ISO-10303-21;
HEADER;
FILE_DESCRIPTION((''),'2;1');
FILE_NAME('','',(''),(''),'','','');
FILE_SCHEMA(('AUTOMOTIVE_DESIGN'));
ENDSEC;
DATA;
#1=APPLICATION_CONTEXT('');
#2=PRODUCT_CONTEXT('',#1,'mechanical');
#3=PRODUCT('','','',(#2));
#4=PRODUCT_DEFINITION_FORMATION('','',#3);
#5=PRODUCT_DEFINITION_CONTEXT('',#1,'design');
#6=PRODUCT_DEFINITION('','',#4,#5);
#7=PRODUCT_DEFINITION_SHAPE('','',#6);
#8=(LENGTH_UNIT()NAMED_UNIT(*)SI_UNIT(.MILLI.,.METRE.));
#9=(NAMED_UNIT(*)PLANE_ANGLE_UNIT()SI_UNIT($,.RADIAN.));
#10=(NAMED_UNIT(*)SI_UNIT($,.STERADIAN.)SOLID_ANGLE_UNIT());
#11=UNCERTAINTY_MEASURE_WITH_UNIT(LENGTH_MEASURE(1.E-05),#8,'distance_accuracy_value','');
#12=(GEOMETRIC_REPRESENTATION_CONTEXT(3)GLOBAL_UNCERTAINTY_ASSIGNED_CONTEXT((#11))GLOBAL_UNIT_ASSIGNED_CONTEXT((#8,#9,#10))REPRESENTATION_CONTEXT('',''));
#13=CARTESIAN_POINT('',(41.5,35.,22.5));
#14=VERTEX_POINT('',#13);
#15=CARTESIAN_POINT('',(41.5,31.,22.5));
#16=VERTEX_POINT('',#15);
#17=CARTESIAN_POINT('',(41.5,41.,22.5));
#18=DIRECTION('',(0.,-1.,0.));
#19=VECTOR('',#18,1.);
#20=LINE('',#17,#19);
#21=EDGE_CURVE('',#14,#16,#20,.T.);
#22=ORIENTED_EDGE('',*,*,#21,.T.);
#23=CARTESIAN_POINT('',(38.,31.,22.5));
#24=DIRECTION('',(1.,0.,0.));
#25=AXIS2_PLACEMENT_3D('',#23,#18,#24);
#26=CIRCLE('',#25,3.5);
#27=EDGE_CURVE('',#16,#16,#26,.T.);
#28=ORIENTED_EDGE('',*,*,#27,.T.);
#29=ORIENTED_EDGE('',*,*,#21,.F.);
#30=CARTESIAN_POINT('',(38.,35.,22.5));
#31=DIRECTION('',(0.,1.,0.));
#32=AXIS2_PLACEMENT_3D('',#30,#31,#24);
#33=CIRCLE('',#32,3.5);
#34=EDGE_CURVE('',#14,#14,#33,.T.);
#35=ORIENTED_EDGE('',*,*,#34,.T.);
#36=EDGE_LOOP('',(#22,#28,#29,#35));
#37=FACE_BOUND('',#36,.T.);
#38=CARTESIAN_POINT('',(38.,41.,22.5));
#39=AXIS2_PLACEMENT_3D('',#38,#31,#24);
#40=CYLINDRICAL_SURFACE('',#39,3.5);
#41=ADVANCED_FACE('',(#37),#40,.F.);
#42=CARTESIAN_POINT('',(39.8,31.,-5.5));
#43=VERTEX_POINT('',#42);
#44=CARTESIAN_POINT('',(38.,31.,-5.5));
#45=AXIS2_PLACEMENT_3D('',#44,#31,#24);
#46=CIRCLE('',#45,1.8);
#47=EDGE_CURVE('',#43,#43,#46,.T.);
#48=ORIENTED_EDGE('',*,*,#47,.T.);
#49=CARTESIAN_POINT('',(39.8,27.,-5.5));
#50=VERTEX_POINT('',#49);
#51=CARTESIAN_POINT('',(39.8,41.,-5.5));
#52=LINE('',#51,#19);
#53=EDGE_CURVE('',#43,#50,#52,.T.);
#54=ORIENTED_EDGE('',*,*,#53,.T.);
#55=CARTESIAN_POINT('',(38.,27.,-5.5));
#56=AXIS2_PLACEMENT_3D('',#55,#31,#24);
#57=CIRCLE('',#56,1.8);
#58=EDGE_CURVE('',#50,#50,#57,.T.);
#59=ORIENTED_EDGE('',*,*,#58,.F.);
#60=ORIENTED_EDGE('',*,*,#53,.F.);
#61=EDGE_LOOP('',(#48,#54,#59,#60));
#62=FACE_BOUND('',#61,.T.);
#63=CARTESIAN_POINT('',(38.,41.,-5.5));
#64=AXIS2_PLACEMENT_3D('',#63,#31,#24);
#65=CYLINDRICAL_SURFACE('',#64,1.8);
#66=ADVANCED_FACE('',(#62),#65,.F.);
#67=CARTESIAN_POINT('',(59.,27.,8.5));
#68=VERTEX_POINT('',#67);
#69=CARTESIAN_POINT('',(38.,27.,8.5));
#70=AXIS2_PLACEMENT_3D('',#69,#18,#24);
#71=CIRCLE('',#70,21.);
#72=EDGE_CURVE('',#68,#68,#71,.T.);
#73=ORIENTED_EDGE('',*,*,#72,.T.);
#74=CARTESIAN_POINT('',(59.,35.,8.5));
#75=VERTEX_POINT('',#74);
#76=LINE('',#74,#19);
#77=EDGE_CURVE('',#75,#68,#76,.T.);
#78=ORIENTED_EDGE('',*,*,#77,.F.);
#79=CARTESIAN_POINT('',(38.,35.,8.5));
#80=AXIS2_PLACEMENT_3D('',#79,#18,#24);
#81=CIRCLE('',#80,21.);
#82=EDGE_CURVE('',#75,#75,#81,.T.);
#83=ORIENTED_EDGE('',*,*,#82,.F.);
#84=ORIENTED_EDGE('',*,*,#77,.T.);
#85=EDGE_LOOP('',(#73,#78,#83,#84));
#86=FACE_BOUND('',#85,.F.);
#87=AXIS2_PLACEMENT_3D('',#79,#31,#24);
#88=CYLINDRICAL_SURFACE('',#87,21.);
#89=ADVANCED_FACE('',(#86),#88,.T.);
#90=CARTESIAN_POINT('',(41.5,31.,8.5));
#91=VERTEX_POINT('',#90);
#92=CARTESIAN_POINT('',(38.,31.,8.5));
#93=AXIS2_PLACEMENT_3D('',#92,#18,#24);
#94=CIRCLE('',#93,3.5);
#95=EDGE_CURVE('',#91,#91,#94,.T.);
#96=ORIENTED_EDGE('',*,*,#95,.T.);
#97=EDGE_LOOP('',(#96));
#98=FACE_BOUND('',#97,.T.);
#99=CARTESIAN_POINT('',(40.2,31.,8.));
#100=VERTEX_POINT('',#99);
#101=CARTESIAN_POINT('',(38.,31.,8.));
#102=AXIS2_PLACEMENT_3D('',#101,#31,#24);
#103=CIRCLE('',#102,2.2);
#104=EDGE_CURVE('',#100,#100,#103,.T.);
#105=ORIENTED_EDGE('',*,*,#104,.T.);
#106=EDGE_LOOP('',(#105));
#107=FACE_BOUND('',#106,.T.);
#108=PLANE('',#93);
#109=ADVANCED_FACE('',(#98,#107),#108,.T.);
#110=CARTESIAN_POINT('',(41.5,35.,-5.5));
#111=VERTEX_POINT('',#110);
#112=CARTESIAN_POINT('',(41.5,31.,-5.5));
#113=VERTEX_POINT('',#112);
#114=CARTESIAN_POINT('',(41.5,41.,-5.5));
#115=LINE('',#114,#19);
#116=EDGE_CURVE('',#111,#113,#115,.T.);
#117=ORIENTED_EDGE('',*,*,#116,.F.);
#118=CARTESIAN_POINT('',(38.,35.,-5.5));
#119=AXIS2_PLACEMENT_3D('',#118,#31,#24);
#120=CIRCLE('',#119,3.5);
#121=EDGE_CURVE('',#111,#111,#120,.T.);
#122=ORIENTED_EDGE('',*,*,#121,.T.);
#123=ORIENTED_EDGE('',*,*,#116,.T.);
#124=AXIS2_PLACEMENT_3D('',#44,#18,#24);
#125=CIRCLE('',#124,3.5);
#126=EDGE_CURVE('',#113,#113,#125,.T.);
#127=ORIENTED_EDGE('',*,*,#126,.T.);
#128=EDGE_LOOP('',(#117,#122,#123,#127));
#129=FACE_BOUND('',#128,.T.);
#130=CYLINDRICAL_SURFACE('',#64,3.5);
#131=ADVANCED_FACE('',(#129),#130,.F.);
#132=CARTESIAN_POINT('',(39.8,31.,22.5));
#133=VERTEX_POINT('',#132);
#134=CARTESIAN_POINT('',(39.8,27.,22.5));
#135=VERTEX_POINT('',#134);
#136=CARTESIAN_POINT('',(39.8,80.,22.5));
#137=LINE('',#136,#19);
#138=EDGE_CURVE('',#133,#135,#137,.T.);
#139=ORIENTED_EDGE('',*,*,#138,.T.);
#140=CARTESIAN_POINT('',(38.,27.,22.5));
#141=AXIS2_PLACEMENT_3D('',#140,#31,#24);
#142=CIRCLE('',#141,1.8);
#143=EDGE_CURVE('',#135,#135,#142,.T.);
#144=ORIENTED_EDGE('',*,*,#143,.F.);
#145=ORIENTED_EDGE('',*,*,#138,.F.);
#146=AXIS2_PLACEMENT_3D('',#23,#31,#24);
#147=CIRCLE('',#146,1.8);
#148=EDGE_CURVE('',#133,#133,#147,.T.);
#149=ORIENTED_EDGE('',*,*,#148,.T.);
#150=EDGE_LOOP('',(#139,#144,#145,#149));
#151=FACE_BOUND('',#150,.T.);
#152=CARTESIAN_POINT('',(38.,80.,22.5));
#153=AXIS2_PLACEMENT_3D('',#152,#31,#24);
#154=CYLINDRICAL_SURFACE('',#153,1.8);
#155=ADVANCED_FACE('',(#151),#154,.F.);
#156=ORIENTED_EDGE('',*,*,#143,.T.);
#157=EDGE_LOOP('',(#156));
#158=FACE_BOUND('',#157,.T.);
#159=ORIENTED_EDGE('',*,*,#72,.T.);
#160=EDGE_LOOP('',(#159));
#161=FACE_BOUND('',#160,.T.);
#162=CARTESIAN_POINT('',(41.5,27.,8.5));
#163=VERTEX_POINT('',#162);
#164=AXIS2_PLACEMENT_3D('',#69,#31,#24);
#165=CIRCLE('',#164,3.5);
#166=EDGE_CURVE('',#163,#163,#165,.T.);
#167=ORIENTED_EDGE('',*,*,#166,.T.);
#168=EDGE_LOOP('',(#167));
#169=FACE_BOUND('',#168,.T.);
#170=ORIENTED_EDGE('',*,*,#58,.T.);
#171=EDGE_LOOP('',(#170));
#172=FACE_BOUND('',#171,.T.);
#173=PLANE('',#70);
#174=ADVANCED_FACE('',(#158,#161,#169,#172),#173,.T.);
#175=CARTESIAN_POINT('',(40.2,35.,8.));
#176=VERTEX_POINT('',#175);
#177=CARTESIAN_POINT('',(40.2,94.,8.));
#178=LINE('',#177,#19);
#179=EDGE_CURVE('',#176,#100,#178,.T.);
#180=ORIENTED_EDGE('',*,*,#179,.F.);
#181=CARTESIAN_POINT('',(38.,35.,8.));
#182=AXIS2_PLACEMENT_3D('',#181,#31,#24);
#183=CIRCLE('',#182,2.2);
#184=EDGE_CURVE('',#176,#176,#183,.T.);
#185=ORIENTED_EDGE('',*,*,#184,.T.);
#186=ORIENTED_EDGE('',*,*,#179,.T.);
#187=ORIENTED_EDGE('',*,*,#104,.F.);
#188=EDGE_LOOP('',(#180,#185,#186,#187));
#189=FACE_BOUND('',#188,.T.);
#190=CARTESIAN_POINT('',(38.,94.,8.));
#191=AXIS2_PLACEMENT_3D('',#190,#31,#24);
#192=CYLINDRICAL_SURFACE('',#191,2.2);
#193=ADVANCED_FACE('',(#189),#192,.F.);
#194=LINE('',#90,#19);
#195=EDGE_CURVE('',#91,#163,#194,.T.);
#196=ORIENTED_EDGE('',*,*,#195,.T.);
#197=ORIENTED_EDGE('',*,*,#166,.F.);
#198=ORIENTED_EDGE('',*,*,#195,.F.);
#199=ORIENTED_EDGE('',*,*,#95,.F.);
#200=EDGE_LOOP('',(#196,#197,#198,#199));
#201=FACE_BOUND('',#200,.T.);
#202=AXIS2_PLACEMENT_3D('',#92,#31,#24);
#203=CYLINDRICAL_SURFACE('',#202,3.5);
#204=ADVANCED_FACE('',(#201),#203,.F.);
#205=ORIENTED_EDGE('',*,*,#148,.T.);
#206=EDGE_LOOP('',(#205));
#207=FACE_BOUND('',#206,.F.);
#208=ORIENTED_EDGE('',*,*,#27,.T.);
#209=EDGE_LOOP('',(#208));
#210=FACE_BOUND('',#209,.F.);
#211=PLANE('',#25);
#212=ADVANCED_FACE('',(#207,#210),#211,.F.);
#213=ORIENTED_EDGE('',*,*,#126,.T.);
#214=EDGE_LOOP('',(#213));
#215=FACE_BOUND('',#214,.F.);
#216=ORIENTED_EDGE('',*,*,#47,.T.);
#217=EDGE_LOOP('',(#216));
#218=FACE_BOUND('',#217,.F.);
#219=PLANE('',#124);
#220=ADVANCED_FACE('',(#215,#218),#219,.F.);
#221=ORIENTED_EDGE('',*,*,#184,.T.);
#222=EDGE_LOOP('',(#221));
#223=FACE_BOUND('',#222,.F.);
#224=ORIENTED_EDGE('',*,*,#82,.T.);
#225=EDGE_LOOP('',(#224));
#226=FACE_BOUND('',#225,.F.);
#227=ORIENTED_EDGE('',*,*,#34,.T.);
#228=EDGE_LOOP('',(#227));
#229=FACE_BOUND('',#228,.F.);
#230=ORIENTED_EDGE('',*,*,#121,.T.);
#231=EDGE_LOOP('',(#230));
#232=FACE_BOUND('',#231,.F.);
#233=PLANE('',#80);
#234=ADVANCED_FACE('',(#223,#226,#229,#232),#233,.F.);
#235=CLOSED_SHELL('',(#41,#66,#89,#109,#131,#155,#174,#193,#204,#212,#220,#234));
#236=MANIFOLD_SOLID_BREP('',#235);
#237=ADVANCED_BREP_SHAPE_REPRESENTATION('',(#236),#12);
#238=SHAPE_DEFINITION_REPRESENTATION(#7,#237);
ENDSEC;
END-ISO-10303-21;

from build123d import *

# Parameters (mm, degrees)
CYLINDER060_R          = 3.5
CYLINDER060_DEPTH      = 10
CYLINDER060_ROLL_ANGLE = 90
CYLINDER059_R          = 1.8
CYLINDER059_DEPTH      = 48
CYLINDER059_ROLL_ANGLE = 90
CYLINDER058_R          = 3.5
CYLINDER058_DEPTH      = 10
CYLINDER058_ROLL_ANGLE = 90
CYLINDER057_R          = 3.5
CYLINDER057_DEPTH      = 10
CYLINDER057_ROLL_ANGLE = 90
CYLINDER051_R          = 1.8
CYLINDER051_DEPTH      = 100
CYLINDER051_ROLL_ANGLE = 90
CYLINDER056_R          = 2.2
CYLINDER056_DEPTH      = 100
CYLINDER056_ROLL_ANGLE = 90
CYLINDER053_R          = 21
CYLINDER053_DEPTH      = 8
CYLINDER053_ROLL_ANGLE = 90


with BuildPart() as cilindro060:
    # Cylinder060 → Cylinder060 (new body)
    with BuildSketch(Plane.XY):
        Circle(CYLINDER060_R)
    extrude(amount=CYLINDER060_DEPTH)


with BuildPart() as cilindro060_1:
    # Cylinder060 roll: moved
    add(cilindro060.part.rotate(Axis((0, 0, 0), (1, 0, 0)), CYLINDER060_ROLL_ANGLE))


with BuildPart() as cilindro060_2:
    # Cylinder060 placement: moved
    add(cilindro060_1.part.moved(Location((38, 41, -5.5))))


with BuildPart() as cilindro059:
    # Cylinder059 → Cylinder059 (new body)
    with BuildSketch(Plane.XY):
        Circle(CYLINDER059_R)
    extrude(amount=CYLINDER059_DEPTH)


with BuildPart() as cilindro059_1:
    # Cylinder059 roll: moved
    add(cilindro059.part.rotate(Axis((0, 0, 0), (1, 0, 0)), CYLINDER059_ROLL_ANGLE))


with BuildPart() as cilindro059_2:
    # Cylinder059 placement: moved
    add(cilindro059_1.part.moved(Location((38, 41, -5.5))))


with BuildPart() as cilindro058:
    # Cylinder058 → Cylinder058 (new body)
    with BuildSketch(Plane.XY):
        Circle(CYLINDER058_R)
    extrude(amount=CYLINDER058_DEPTH)


with BuildPart() as cilindro058_1:
    # Cylinder058 roll: moved
    add(cilindro058.part.rotate(Axis((0, 0, 0), (1, 0, 0)), CYLINDER058_ROLL_ANGLE))


with BuildPart() as cilindro058_2:
    # Cylinder058 placement: moved
    add(cilindro058_1.part.moved(Location((38, 41, 22.5))))


with BuildPart() as cilindro057:
    # Cylinder057 → Cylinder057 (new body)
    with BuildSketch(Plane.XY):
        Circle(CYLINDER057_R)
    extrude(amount=CYLINDER057_DEPTH)


with BuildPart() as cilindro057_1:
    # Cylinder057 roll: moved
    add(cilindro057.part.rotate(Axis((0, 0, 0), (1, 0, 0)), CYLINDER057_ROLL_ANGLE))


with BuildPart() as cilindro057_2:
    # Cylinder057 placement: moved
    add(cilindro057_1.part.moved(Location((38, 31, 8.5))))


with BuildPart() as cilindro051:
    # Cylinder051 → Cylinder051 (new body)
    with BuildSketch(Plane.XY):
        Circle(CYLINDER051_R)
    extrude(amount=CYLINDER051_DEPTH)


with BuildPart() as cilindro051_1:
    # Cylinder051 roll: moved
    add(cilindro051.part.rotate(Axis((0, 0, 0), (1, 0, 0)), CYLINDER051_ROLL_ANGLE))


with BuildPart() as cilindro051_2:
    # Cylinder051 placement: moved
    add(cilindro051_1.part.moved(Location((38, 80, 22.5))))


with BuildPart() as cilindro056:
    # Cylinder056 → Cylinder056 (new body)
    with BuildSketch(Plane.XY):
        Circle(CYLINDER056_R)
    extrude(amount=CYLINDER056_DEPTH)


with BuildPart() as cilindro056_1:
    # Cylinder056 roll: moved
    add(cilindro056.part.rotate(Axis((0, 0, 0), (1, 0, 0)), CYLINDER056_ROLL_ANGLE))


with BuildPart() as cilindro056_2:
    # Cylinder056 placement: moved
    add(cilindro056_1.part.moved(Location((38, 94, 8))))


with BuildPart() as cut045:
    # Cylinder053 → Cylinder053 (new body)
    with BuildSketch(Plane.XY):
        Circle(CYLINDER053_R)
    extrude(amount=CYLINDER053_DEPTH)


with BuildPart() as cut045_1:
    # Cylinder053 roll: moved
    add(cut045.part.rotate(Axis((0, 0, 0), (1, 0, 0)), CYLINDER053_ROLL_ANGLE))


with BuildPart() as cut045_2:
    # Cylinder053 placement: moved
    add(cut045_1.part.moved(Location((38, 35, 8.5))))

    # Cut040: cut Cilindro056
    add(cilindro056_2.part, mode=Mode.SUBTRACT)

    # Cut041: cut Cilindro051
    add(cilindro051_2.part, mode=Mode.SUBTRACT)

    # Cut042: cut Cilindro057
    add(cilindro057_2.part, mode=Mode.SUBTRACT)

    # Cut043: cut Cilindro058
    add(cilindro058_2.part, mode=Mode.SUBTRACT)

    # Cut044: cut Cilindro059
    add(cilindro059_2.part, mode=Mode.SUBTRACT)

    # Cut045: cut Cilindro060
    add(cilindro060_2.part, mode=Mode.SUBTRACT)


solid = cut045_2.part
